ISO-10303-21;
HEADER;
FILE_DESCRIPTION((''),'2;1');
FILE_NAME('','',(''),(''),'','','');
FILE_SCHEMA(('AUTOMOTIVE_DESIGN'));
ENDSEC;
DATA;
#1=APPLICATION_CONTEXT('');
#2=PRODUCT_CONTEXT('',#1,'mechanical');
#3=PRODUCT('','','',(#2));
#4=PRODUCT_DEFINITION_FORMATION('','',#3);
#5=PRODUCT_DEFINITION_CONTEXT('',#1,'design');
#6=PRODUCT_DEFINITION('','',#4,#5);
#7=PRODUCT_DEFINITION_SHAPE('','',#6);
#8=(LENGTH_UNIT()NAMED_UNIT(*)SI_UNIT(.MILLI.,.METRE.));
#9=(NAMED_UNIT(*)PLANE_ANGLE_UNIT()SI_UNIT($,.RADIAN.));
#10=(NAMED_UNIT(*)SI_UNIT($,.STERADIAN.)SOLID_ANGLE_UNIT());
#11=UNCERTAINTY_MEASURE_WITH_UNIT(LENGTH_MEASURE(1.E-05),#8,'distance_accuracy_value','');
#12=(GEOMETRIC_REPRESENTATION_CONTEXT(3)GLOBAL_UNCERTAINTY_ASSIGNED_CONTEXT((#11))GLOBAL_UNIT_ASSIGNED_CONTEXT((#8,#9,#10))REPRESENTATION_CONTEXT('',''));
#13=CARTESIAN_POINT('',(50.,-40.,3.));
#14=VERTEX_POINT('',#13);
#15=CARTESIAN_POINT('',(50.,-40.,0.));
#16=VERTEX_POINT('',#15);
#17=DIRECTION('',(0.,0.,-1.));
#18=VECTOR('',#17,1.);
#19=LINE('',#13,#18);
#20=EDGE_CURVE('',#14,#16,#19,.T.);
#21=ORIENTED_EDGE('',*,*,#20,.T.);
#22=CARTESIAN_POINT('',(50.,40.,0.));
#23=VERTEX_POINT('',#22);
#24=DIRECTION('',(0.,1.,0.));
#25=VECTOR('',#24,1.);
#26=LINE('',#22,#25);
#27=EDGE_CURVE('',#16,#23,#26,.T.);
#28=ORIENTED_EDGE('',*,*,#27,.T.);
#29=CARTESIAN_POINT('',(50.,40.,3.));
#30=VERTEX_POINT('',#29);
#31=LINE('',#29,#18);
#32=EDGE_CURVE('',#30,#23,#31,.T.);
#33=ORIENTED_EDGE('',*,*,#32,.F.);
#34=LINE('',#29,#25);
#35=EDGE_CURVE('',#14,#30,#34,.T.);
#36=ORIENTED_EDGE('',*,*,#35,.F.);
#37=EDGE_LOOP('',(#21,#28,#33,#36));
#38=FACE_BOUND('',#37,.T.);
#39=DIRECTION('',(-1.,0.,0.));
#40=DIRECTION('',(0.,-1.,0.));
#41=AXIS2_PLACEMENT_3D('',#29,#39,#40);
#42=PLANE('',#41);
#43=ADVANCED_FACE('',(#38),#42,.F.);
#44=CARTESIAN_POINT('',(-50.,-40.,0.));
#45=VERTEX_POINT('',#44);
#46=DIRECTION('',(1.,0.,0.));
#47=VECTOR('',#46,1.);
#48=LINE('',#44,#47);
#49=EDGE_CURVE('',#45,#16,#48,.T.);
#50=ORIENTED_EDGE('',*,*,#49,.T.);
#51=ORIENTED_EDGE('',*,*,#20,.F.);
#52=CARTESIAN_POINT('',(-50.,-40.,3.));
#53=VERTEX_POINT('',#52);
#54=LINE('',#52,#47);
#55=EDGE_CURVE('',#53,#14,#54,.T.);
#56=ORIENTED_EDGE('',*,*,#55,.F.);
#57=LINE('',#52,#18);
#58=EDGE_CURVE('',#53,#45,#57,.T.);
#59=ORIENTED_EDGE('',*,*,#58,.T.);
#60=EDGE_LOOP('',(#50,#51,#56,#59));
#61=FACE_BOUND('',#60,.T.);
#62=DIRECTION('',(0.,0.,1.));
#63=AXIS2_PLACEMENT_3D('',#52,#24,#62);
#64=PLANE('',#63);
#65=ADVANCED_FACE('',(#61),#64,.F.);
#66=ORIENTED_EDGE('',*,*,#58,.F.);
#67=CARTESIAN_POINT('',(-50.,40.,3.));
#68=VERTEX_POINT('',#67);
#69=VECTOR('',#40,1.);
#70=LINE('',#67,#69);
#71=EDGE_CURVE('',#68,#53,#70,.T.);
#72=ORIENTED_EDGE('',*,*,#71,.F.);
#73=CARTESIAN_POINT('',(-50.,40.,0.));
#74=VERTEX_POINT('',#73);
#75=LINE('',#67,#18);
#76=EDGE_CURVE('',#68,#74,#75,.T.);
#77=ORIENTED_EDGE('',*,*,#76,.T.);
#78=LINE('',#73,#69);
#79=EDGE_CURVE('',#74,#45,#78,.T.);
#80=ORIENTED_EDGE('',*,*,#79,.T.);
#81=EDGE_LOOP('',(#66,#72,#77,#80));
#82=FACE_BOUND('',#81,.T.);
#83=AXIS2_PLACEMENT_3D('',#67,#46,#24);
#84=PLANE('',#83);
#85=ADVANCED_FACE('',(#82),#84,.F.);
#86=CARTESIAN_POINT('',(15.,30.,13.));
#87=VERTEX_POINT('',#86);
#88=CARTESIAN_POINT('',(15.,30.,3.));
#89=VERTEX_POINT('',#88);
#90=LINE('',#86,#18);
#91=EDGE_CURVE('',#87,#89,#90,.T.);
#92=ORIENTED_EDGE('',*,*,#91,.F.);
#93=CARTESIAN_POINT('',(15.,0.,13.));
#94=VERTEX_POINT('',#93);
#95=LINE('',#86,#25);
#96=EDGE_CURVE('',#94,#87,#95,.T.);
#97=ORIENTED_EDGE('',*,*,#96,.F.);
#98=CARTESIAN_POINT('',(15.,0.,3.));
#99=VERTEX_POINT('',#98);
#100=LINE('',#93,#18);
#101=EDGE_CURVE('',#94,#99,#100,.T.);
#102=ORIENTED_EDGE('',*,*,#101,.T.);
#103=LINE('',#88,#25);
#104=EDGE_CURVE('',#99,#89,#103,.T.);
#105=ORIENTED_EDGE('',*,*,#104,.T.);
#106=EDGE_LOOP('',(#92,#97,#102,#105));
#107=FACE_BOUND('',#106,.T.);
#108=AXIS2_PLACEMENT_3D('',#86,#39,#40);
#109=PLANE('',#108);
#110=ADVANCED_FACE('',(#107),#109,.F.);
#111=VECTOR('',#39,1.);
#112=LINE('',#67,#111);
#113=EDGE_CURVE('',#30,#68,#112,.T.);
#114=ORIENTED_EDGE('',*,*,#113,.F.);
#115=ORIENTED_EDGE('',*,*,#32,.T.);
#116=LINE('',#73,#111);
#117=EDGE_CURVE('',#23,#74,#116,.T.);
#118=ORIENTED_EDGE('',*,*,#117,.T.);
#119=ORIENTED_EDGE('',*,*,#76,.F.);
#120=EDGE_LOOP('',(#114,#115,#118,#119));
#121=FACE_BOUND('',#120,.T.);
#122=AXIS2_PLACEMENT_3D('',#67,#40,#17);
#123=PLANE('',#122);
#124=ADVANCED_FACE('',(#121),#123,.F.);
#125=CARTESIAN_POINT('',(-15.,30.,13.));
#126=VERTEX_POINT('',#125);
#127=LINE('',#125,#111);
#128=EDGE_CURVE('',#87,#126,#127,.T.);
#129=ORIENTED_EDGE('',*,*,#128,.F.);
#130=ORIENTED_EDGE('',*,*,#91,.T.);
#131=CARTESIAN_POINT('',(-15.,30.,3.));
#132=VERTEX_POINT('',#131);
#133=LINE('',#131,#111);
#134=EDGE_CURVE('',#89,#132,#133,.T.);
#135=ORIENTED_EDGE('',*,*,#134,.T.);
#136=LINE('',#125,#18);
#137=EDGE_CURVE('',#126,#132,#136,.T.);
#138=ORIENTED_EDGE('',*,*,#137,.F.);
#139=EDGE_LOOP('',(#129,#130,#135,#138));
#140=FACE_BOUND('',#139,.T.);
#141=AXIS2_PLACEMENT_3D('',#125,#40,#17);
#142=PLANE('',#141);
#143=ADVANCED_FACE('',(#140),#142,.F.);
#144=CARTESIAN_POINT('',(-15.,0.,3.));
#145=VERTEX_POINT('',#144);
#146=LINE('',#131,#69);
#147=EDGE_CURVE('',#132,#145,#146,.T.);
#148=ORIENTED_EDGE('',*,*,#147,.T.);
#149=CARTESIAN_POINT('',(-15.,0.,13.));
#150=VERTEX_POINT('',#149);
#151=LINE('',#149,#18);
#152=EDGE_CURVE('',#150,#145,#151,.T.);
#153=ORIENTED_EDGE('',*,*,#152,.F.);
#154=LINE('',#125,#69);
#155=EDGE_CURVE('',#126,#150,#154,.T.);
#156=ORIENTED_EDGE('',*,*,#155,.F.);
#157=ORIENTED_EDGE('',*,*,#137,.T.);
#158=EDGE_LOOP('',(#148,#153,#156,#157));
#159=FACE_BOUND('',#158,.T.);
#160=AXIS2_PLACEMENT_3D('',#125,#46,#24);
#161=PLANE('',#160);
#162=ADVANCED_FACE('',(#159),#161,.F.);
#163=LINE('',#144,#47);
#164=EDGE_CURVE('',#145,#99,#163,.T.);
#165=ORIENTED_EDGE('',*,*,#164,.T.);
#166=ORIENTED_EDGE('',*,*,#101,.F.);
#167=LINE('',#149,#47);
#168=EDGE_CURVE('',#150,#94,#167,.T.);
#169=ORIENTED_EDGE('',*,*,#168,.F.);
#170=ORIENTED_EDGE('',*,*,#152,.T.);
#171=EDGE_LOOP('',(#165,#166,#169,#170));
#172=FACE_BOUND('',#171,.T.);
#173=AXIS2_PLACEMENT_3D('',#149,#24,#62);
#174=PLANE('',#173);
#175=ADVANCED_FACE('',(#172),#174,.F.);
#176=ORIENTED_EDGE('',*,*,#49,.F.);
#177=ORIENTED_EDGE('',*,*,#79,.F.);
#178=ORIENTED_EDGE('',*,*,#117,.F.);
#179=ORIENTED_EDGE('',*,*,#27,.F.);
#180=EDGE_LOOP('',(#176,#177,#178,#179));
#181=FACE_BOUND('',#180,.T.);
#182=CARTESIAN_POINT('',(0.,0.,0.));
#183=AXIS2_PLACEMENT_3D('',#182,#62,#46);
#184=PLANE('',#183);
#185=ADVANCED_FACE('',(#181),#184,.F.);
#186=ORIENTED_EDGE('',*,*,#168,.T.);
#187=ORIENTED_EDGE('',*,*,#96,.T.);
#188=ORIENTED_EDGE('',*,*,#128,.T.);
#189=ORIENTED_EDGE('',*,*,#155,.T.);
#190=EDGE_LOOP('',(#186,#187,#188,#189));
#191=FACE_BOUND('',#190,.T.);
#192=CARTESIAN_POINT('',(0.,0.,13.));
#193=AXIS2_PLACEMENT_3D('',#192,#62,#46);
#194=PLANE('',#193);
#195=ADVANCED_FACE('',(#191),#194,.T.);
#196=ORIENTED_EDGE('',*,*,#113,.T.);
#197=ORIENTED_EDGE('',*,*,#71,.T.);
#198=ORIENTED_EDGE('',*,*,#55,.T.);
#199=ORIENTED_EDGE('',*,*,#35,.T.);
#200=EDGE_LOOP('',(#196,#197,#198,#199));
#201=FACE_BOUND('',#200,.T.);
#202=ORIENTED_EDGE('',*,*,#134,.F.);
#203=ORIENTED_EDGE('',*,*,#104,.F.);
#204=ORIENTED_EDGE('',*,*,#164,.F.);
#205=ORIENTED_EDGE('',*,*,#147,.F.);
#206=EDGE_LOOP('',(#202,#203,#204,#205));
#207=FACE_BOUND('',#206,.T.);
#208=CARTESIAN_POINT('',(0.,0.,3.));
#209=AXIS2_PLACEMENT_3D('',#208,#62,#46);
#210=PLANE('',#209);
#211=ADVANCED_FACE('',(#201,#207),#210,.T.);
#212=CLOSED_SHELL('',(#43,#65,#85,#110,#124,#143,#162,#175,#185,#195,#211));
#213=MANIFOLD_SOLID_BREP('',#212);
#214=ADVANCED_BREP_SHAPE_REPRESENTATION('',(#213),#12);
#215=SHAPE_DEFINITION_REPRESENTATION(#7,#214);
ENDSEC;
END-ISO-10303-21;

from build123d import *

# Parameters (mm, degrees)
SKETCH1_W           = 100
SKETCH1_H           = 80
BOSS_EXTRUDE1_DEPTH = 3
SKETCH2_W           = 30
SKETCH2_H           = 30
BOSS_EXTRUDE2_DEPTH = 10


with BuildPart() as part:
    # Sketch1 → Boss-Extrude1 (new body)
    with BuildSketch(Plane.XY):
        Rectangle(SKETCH1_W, SKETCH1_H)
    extrude(amount=BOSS_EXTRUDE1_DEPTH)

    # Sketch2 → Boss-Extrude2 (add)
    with BuildSketch(Plane.XY.offset(3)):
        with Locations((0, 15)):
            Rectangle(SKETCH2_W, SKETCH2_H)
    extrude(amount=BOSS_EXTRUDE2_DEPTH)


solid = part.part
